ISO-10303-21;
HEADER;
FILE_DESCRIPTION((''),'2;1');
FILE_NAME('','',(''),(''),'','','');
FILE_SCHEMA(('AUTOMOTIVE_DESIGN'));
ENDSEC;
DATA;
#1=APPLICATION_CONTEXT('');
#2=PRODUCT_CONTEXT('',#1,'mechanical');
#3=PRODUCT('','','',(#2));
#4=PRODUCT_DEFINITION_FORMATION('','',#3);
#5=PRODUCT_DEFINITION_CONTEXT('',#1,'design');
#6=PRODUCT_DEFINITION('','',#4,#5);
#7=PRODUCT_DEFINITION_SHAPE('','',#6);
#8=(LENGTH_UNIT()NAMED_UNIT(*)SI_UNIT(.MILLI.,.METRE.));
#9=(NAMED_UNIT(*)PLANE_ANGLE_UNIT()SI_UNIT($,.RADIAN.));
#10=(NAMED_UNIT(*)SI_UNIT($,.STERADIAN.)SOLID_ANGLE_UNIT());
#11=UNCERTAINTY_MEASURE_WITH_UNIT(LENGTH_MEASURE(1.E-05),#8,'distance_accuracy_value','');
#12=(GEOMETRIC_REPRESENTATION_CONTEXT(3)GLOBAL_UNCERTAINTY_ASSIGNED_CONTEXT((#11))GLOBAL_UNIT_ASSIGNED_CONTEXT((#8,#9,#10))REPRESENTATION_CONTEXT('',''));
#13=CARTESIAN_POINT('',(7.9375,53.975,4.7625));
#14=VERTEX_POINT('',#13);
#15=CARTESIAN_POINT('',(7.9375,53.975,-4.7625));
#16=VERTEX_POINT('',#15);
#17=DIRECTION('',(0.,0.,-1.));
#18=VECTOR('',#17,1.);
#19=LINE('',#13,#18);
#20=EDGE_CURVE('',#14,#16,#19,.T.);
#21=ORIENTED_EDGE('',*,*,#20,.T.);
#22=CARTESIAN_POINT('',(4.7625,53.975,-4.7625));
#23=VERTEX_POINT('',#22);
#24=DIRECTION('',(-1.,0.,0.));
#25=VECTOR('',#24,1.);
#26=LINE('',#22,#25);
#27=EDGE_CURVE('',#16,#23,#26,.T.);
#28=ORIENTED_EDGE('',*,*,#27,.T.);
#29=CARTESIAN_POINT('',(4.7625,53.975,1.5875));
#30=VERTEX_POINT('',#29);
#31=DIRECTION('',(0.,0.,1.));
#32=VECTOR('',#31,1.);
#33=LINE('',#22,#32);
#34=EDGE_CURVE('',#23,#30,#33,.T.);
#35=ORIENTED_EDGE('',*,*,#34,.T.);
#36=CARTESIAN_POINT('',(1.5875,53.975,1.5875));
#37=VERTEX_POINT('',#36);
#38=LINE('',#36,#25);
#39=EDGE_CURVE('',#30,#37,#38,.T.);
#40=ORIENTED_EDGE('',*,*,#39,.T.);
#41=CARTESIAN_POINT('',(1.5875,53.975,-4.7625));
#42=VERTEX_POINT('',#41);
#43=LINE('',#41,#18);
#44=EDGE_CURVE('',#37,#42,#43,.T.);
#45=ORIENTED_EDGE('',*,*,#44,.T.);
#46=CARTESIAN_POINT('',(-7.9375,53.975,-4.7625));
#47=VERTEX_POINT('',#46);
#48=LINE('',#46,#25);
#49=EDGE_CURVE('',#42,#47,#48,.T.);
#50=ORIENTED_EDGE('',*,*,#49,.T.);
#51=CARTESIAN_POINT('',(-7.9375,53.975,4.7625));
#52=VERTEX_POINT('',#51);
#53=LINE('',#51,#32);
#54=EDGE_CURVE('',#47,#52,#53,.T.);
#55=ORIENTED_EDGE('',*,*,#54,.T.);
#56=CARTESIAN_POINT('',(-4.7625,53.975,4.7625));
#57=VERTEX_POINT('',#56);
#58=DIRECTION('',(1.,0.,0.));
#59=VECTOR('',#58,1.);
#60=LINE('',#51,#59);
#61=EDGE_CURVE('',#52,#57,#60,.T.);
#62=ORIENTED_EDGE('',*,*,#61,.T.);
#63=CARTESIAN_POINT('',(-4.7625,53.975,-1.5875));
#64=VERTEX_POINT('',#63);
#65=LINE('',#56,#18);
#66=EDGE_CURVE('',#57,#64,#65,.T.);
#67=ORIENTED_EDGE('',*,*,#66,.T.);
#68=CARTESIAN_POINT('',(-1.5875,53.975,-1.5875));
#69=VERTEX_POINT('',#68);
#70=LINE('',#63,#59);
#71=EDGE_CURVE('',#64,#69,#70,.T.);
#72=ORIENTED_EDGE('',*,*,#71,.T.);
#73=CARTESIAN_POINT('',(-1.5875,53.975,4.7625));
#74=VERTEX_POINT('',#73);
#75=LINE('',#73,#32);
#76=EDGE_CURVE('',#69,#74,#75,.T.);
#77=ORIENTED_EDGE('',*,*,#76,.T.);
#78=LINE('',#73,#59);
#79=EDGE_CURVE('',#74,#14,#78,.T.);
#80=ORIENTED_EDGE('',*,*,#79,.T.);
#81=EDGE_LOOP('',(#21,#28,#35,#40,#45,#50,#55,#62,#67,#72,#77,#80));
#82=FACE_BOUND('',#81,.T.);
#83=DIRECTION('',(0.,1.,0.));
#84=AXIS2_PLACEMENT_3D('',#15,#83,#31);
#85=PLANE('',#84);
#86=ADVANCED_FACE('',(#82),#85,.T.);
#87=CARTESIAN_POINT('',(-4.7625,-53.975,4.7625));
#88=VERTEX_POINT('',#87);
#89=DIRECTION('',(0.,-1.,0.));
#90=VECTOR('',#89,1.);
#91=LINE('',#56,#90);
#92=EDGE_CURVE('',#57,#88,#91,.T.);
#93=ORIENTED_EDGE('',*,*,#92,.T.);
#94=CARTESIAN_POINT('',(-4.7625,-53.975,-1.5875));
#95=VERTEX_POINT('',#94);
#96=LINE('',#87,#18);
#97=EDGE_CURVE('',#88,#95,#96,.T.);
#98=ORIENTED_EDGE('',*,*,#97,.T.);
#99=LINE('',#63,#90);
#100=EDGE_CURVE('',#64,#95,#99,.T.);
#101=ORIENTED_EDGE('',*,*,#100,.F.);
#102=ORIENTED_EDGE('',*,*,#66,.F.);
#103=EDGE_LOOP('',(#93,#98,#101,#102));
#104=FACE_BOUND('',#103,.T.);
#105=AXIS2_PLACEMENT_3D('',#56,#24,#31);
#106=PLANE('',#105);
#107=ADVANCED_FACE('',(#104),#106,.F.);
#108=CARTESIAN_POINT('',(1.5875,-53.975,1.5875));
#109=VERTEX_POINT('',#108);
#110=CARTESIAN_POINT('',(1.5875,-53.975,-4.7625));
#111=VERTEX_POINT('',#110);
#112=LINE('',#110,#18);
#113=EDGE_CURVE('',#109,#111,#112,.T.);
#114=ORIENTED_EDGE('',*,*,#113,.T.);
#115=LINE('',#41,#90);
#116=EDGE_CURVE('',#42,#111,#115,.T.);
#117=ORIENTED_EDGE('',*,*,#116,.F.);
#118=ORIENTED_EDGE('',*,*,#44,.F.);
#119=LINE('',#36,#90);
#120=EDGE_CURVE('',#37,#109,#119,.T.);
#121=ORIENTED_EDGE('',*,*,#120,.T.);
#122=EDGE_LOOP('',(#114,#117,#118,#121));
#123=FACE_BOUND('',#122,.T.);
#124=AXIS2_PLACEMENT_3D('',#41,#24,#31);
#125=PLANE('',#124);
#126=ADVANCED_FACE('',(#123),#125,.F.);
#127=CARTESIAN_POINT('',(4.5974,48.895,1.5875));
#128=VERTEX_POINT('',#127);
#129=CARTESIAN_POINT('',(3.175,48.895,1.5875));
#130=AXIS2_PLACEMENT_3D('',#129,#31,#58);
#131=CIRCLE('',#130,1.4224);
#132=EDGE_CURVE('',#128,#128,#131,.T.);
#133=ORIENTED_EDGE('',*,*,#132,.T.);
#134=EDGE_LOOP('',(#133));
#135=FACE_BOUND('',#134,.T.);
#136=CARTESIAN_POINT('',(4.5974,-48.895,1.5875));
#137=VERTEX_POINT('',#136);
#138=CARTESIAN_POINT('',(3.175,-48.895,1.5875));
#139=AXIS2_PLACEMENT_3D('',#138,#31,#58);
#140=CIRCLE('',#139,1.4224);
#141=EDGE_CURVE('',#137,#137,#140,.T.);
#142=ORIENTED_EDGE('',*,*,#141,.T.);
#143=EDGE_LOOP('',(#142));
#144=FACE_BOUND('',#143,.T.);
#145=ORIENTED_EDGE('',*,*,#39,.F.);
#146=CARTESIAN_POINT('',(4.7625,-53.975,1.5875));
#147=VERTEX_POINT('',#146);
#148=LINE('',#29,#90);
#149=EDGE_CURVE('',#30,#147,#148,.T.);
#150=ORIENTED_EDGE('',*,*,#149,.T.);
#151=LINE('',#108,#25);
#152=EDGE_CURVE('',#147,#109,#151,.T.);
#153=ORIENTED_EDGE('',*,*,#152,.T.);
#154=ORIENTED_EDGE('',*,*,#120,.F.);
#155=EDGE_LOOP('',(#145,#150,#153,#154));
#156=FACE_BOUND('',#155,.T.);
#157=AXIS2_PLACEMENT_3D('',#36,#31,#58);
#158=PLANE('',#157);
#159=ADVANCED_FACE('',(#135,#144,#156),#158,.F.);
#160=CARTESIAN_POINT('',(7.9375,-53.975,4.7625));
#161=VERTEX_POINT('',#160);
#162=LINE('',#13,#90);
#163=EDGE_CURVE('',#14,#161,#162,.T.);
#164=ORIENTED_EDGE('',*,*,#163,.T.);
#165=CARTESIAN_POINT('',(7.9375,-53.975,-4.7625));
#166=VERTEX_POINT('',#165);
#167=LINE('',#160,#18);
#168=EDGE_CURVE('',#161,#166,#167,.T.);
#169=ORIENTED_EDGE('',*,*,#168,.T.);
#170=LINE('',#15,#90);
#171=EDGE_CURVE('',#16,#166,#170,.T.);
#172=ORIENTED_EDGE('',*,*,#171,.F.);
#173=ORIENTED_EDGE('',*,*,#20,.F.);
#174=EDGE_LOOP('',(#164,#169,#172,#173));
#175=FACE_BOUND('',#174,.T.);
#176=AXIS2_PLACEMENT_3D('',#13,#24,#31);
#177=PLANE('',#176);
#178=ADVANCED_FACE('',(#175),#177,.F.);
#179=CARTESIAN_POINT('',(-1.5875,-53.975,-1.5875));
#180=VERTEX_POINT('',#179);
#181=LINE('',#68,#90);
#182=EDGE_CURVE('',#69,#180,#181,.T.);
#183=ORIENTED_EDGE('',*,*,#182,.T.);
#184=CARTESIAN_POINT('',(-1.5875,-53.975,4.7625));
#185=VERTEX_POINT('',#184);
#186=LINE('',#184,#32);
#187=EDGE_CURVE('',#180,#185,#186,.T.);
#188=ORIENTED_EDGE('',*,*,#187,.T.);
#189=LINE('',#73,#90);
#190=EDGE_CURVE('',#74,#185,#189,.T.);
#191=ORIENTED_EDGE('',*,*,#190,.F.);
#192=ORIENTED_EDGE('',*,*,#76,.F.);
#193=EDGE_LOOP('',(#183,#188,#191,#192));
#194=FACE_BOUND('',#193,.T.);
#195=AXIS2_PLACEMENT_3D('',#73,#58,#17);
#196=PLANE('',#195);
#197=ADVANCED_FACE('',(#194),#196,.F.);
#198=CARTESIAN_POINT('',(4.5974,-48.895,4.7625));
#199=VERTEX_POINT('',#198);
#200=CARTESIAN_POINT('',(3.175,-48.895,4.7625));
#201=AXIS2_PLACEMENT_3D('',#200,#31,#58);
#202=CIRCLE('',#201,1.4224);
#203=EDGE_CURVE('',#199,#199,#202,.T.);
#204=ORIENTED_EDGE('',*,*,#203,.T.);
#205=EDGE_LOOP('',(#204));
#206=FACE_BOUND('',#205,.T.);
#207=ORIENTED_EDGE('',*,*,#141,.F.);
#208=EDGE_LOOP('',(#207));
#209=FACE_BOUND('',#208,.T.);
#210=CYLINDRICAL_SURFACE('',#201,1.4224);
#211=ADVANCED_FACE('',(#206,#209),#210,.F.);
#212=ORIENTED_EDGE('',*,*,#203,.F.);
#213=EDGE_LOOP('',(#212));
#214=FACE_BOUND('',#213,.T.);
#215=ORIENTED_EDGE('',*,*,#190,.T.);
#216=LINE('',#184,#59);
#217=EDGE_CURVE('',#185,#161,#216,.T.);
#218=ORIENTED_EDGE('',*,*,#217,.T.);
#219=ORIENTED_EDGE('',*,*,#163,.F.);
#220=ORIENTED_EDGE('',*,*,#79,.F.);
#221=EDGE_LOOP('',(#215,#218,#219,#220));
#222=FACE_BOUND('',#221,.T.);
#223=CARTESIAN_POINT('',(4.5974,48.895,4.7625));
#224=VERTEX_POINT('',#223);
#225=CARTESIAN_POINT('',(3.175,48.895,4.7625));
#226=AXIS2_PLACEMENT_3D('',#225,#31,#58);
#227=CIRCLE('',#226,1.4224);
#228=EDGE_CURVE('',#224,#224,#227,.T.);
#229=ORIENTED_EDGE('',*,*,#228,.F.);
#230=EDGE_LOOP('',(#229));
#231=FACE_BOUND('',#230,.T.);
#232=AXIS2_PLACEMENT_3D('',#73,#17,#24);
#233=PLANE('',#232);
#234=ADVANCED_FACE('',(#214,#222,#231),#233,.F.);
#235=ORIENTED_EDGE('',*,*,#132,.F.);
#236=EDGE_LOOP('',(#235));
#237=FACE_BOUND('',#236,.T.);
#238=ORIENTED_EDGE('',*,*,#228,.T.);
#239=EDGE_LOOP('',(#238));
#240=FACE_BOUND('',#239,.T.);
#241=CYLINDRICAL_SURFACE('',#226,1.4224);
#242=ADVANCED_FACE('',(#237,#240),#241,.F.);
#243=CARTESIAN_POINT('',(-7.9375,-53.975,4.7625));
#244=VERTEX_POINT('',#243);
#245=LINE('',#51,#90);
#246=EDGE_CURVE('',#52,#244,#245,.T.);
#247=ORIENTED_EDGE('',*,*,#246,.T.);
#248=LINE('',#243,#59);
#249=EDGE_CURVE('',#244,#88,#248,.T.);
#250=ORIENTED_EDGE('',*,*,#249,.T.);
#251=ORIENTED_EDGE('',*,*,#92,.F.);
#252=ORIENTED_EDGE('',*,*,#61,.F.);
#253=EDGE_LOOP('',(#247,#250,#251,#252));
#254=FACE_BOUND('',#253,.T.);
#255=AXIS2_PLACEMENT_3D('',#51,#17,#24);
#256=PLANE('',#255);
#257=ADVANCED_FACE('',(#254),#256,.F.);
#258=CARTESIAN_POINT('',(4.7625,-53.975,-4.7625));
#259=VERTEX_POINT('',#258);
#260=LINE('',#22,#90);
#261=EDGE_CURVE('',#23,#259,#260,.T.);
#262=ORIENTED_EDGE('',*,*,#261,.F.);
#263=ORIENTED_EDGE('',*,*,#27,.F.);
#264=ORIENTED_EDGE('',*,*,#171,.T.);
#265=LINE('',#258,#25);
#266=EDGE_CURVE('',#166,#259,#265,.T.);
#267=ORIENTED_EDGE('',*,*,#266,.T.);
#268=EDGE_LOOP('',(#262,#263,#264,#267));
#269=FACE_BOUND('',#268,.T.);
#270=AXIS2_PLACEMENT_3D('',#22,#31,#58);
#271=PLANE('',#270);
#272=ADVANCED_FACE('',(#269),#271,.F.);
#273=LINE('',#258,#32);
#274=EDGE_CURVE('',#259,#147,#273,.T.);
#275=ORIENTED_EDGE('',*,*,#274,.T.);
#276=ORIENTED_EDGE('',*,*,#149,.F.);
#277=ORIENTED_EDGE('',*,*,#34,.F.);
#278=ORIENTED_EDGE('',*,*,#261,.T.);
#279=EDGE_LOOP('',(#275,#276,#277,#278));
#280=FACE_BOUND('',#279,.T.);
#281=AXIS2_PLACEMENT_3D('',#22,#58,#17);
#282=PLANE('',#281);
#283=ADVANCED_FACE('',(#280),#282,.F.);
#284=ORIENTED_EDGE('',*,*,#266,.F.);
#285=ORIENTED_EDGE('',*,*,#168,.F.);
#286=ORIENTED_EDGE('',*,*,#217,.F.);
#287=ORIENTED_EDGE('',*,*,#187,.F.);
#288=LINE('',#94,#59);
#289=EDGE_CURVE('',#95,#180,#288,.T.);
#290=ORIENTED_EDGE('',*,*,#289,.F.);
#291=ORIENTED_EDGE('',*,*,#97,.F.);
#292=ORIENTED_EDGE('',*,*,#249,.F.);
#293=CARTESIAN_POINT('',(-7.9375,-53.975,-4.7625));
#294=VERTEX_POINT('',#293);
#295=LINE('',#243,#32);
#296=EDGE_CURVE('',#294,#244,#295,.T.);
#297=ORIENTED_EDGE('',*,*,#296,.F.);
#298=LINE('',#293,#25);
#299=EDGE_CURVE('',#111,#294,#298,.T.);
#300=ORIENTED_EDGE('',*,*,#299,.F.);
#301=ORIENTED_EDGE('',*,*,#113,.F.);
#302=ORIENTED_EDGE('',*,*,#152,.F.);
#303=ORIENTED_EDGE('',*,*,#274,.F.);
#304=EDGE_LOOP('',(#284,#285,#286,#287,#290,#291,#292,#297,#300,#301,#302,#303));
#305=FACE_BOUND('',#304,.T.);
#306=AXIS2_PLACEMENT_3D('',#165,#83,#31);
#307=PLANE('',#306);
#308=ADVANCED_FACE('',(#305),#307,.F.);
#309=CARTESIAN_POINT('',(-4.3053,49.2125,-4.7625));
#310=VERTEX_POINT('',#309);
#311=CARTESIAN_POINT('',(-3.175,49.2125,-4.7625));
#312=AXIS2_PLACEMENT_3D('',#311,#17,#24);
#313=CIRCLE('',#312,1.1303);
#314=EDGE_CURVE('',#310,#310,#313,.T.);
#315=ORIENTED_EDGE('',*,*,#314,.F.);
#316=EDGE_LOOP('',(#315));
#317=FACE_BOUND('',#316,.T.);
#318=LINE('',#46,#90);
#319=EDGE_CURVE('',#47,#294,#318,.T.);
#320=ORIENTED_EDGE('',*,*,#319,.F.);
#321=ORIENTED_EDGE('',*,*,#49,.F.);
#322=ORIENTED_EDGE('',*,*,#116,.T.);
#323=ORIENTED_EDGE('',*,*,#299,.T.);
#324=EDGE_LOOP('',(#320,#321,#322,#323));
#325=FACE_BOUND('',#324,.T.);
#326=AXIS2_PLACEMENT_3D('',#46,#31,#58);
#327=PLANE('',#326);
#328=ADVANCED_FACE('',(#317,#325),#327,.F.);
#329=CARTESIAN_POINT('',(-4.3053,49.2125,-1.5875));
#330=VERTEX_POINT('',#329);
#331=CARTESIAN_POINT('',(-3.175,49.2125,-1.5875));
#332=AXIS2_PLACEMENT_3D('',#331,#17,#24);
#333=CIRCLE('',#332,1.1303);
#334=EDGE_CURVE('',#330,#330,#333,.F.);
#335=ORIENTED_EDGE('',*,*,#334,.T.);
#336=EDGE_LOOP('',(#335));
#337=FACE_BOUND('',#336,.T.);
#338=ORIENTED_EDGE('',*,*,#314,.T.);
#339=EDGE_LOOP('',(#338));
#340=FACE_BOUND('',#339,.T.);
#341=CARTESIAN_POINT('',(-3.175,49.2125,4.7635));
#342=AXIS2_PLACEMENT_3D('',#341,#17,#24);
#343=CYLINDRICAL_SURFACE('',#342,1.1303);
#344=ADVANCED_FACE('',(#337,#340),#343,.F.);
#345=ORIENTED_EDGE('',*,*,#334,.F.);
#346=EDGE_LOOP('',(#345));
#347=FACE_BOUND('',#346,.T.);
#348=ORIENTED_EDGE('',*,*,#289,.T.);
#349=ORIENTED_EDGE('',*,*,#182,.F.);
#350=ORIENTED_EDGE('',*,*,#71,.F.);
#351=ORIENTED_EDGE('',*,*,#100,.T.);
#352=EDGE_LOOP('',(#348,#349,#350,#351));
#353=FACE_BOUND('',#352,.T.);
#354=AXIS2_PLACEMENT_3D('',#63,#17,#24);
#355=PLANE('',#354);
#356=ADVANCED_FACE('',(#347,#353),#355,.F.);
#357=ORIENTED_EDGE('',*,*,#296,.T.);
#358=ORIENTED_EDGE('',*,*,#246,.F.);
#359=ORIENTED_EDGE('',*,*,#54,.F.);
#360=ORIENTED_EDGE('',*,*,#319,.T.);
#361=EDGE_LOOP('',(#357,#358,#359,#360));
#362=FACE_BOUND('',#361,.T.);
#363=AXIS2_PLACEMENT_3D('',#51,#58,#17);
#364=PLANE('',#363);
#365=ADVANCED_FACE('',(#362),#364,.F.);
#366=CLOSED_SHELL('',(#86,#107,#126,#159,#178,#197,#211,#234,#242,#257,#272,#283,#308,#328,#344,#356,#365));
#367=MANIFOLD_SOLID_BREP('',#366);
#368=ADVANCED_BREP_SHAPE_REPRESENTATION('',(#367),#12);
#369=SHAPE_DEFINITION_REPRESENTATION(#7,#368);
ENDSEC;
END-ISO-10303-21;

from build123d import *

# Parameters (mm, degrees)
EXTRUDE1_DEPTH                  = 53.975
SKETCH2_R                       = 1.1303
EXTRUDE2_DEPTH                  = 10.525
EXTRUDE3_REACH                  = 11.525
SKETCH3_R                       = 1.1303
F_4_40_TAPPED_HOLE1_D           = 2.2606
F_4_40_TAPPED_HOLE1_DEPTH       = 8.89
F_4_40_TAPPED_HOLE1_CBORE_D     = 2.8448
F_4_40_TAPPED_HOLE1_CBORE_DEPTH = 5.588
F_4_40_TAPPED_HOLE1_TIP         = 0.679152758


with BuildPart() as part:
    # Sketch1 → Extrude1 (new body, symmetric)
    with BuildSketch(Plane(origin=(0, 0, 0), x_dir=(1, 0, 0), z_dir=(0, 1, 0))):
        Polygon((-1.5875, -4.7625), (7.9375, -4.7625), (7.9375, 4.7625), (4.7625, 4.7625), (4.7625, -1.5875), (1.5875, -1.5875), (1.5875, 4.7625), (-7.9375, 4.7625), (-7.9375, -4.7625), (-4.7625, -4.7625), (-4.7625, 1.5875), (-1.5875, 1.5875), align=None)
    extrude(amount=EXTRUDE1_DEPTH, both=True)

    # Sketch2 → Extrude2 (cut, through all)
    with BuildSketch(Plane.XY.offset(4.7625)):
        with Locations((3.175, -48.895)):
            Circle(SKETCH2_R)
        with Locations((3.175, 48.895)):
            Circle(SKETCH2_R)
    extrude(amount=-EXTRUDE2_DEPTH, mode=Mode.SUBTRACT)

    # Sketch3 → Extrude3 (cut, up to next)
    with BuildSketch(Plane(origin=(0, 0, -4.7625), x_dir=(-1, 0, 0), z_dir=(0, 0, -1)), mode=Mode.PRIVATE) as extrude3_sk1:
        with Locations((3.175, 49.2125)):
            Circle(SKETCH3_R)
    extrude3_tool1 = extrude(extrude3_sk1.sketch, amount=-EXTRUDE3_REACH, mode=Mode.PRIVATE) & part.part
    add(extrude3_tool1.solids().sort_by_distance((-3.175, 49.2125, -4.7625))[0], mode=Mode.SUBTRACT)

    # #4-40 Tapped Hole1
    with Locations(Plane(origin=(3.175, 48.895, 4.7625), x_dir=(1, 0, 0), z_dir=(0, 0, 1))):
        with Locations((0, 0), (0, -97.79)):
            CounterBoreHole(F_4_40_TAPPED_HOLE1_D / 2, F_4_40_TAPPED_HOLE1_CBORE_D / 2, F_4_40_TAPPED_HOLE1_CBORE_DEPTH, depth=F_4_40_TAPPED_HOLE1_DEPTH)
            with Locations((0, 0, -(F_4_40_TAPPED_HOLE1_DEPTH + F_4_40_TAPPED_HOLE1_TIP / 2))):  # 118° drill point
                Cone(0, F_4_40_TAPPED_HOLE1_D / 2, F_4_40_TAPPED_HOLE1_TIP, mode=Mode.SUBTRACT)


solid = part.part
